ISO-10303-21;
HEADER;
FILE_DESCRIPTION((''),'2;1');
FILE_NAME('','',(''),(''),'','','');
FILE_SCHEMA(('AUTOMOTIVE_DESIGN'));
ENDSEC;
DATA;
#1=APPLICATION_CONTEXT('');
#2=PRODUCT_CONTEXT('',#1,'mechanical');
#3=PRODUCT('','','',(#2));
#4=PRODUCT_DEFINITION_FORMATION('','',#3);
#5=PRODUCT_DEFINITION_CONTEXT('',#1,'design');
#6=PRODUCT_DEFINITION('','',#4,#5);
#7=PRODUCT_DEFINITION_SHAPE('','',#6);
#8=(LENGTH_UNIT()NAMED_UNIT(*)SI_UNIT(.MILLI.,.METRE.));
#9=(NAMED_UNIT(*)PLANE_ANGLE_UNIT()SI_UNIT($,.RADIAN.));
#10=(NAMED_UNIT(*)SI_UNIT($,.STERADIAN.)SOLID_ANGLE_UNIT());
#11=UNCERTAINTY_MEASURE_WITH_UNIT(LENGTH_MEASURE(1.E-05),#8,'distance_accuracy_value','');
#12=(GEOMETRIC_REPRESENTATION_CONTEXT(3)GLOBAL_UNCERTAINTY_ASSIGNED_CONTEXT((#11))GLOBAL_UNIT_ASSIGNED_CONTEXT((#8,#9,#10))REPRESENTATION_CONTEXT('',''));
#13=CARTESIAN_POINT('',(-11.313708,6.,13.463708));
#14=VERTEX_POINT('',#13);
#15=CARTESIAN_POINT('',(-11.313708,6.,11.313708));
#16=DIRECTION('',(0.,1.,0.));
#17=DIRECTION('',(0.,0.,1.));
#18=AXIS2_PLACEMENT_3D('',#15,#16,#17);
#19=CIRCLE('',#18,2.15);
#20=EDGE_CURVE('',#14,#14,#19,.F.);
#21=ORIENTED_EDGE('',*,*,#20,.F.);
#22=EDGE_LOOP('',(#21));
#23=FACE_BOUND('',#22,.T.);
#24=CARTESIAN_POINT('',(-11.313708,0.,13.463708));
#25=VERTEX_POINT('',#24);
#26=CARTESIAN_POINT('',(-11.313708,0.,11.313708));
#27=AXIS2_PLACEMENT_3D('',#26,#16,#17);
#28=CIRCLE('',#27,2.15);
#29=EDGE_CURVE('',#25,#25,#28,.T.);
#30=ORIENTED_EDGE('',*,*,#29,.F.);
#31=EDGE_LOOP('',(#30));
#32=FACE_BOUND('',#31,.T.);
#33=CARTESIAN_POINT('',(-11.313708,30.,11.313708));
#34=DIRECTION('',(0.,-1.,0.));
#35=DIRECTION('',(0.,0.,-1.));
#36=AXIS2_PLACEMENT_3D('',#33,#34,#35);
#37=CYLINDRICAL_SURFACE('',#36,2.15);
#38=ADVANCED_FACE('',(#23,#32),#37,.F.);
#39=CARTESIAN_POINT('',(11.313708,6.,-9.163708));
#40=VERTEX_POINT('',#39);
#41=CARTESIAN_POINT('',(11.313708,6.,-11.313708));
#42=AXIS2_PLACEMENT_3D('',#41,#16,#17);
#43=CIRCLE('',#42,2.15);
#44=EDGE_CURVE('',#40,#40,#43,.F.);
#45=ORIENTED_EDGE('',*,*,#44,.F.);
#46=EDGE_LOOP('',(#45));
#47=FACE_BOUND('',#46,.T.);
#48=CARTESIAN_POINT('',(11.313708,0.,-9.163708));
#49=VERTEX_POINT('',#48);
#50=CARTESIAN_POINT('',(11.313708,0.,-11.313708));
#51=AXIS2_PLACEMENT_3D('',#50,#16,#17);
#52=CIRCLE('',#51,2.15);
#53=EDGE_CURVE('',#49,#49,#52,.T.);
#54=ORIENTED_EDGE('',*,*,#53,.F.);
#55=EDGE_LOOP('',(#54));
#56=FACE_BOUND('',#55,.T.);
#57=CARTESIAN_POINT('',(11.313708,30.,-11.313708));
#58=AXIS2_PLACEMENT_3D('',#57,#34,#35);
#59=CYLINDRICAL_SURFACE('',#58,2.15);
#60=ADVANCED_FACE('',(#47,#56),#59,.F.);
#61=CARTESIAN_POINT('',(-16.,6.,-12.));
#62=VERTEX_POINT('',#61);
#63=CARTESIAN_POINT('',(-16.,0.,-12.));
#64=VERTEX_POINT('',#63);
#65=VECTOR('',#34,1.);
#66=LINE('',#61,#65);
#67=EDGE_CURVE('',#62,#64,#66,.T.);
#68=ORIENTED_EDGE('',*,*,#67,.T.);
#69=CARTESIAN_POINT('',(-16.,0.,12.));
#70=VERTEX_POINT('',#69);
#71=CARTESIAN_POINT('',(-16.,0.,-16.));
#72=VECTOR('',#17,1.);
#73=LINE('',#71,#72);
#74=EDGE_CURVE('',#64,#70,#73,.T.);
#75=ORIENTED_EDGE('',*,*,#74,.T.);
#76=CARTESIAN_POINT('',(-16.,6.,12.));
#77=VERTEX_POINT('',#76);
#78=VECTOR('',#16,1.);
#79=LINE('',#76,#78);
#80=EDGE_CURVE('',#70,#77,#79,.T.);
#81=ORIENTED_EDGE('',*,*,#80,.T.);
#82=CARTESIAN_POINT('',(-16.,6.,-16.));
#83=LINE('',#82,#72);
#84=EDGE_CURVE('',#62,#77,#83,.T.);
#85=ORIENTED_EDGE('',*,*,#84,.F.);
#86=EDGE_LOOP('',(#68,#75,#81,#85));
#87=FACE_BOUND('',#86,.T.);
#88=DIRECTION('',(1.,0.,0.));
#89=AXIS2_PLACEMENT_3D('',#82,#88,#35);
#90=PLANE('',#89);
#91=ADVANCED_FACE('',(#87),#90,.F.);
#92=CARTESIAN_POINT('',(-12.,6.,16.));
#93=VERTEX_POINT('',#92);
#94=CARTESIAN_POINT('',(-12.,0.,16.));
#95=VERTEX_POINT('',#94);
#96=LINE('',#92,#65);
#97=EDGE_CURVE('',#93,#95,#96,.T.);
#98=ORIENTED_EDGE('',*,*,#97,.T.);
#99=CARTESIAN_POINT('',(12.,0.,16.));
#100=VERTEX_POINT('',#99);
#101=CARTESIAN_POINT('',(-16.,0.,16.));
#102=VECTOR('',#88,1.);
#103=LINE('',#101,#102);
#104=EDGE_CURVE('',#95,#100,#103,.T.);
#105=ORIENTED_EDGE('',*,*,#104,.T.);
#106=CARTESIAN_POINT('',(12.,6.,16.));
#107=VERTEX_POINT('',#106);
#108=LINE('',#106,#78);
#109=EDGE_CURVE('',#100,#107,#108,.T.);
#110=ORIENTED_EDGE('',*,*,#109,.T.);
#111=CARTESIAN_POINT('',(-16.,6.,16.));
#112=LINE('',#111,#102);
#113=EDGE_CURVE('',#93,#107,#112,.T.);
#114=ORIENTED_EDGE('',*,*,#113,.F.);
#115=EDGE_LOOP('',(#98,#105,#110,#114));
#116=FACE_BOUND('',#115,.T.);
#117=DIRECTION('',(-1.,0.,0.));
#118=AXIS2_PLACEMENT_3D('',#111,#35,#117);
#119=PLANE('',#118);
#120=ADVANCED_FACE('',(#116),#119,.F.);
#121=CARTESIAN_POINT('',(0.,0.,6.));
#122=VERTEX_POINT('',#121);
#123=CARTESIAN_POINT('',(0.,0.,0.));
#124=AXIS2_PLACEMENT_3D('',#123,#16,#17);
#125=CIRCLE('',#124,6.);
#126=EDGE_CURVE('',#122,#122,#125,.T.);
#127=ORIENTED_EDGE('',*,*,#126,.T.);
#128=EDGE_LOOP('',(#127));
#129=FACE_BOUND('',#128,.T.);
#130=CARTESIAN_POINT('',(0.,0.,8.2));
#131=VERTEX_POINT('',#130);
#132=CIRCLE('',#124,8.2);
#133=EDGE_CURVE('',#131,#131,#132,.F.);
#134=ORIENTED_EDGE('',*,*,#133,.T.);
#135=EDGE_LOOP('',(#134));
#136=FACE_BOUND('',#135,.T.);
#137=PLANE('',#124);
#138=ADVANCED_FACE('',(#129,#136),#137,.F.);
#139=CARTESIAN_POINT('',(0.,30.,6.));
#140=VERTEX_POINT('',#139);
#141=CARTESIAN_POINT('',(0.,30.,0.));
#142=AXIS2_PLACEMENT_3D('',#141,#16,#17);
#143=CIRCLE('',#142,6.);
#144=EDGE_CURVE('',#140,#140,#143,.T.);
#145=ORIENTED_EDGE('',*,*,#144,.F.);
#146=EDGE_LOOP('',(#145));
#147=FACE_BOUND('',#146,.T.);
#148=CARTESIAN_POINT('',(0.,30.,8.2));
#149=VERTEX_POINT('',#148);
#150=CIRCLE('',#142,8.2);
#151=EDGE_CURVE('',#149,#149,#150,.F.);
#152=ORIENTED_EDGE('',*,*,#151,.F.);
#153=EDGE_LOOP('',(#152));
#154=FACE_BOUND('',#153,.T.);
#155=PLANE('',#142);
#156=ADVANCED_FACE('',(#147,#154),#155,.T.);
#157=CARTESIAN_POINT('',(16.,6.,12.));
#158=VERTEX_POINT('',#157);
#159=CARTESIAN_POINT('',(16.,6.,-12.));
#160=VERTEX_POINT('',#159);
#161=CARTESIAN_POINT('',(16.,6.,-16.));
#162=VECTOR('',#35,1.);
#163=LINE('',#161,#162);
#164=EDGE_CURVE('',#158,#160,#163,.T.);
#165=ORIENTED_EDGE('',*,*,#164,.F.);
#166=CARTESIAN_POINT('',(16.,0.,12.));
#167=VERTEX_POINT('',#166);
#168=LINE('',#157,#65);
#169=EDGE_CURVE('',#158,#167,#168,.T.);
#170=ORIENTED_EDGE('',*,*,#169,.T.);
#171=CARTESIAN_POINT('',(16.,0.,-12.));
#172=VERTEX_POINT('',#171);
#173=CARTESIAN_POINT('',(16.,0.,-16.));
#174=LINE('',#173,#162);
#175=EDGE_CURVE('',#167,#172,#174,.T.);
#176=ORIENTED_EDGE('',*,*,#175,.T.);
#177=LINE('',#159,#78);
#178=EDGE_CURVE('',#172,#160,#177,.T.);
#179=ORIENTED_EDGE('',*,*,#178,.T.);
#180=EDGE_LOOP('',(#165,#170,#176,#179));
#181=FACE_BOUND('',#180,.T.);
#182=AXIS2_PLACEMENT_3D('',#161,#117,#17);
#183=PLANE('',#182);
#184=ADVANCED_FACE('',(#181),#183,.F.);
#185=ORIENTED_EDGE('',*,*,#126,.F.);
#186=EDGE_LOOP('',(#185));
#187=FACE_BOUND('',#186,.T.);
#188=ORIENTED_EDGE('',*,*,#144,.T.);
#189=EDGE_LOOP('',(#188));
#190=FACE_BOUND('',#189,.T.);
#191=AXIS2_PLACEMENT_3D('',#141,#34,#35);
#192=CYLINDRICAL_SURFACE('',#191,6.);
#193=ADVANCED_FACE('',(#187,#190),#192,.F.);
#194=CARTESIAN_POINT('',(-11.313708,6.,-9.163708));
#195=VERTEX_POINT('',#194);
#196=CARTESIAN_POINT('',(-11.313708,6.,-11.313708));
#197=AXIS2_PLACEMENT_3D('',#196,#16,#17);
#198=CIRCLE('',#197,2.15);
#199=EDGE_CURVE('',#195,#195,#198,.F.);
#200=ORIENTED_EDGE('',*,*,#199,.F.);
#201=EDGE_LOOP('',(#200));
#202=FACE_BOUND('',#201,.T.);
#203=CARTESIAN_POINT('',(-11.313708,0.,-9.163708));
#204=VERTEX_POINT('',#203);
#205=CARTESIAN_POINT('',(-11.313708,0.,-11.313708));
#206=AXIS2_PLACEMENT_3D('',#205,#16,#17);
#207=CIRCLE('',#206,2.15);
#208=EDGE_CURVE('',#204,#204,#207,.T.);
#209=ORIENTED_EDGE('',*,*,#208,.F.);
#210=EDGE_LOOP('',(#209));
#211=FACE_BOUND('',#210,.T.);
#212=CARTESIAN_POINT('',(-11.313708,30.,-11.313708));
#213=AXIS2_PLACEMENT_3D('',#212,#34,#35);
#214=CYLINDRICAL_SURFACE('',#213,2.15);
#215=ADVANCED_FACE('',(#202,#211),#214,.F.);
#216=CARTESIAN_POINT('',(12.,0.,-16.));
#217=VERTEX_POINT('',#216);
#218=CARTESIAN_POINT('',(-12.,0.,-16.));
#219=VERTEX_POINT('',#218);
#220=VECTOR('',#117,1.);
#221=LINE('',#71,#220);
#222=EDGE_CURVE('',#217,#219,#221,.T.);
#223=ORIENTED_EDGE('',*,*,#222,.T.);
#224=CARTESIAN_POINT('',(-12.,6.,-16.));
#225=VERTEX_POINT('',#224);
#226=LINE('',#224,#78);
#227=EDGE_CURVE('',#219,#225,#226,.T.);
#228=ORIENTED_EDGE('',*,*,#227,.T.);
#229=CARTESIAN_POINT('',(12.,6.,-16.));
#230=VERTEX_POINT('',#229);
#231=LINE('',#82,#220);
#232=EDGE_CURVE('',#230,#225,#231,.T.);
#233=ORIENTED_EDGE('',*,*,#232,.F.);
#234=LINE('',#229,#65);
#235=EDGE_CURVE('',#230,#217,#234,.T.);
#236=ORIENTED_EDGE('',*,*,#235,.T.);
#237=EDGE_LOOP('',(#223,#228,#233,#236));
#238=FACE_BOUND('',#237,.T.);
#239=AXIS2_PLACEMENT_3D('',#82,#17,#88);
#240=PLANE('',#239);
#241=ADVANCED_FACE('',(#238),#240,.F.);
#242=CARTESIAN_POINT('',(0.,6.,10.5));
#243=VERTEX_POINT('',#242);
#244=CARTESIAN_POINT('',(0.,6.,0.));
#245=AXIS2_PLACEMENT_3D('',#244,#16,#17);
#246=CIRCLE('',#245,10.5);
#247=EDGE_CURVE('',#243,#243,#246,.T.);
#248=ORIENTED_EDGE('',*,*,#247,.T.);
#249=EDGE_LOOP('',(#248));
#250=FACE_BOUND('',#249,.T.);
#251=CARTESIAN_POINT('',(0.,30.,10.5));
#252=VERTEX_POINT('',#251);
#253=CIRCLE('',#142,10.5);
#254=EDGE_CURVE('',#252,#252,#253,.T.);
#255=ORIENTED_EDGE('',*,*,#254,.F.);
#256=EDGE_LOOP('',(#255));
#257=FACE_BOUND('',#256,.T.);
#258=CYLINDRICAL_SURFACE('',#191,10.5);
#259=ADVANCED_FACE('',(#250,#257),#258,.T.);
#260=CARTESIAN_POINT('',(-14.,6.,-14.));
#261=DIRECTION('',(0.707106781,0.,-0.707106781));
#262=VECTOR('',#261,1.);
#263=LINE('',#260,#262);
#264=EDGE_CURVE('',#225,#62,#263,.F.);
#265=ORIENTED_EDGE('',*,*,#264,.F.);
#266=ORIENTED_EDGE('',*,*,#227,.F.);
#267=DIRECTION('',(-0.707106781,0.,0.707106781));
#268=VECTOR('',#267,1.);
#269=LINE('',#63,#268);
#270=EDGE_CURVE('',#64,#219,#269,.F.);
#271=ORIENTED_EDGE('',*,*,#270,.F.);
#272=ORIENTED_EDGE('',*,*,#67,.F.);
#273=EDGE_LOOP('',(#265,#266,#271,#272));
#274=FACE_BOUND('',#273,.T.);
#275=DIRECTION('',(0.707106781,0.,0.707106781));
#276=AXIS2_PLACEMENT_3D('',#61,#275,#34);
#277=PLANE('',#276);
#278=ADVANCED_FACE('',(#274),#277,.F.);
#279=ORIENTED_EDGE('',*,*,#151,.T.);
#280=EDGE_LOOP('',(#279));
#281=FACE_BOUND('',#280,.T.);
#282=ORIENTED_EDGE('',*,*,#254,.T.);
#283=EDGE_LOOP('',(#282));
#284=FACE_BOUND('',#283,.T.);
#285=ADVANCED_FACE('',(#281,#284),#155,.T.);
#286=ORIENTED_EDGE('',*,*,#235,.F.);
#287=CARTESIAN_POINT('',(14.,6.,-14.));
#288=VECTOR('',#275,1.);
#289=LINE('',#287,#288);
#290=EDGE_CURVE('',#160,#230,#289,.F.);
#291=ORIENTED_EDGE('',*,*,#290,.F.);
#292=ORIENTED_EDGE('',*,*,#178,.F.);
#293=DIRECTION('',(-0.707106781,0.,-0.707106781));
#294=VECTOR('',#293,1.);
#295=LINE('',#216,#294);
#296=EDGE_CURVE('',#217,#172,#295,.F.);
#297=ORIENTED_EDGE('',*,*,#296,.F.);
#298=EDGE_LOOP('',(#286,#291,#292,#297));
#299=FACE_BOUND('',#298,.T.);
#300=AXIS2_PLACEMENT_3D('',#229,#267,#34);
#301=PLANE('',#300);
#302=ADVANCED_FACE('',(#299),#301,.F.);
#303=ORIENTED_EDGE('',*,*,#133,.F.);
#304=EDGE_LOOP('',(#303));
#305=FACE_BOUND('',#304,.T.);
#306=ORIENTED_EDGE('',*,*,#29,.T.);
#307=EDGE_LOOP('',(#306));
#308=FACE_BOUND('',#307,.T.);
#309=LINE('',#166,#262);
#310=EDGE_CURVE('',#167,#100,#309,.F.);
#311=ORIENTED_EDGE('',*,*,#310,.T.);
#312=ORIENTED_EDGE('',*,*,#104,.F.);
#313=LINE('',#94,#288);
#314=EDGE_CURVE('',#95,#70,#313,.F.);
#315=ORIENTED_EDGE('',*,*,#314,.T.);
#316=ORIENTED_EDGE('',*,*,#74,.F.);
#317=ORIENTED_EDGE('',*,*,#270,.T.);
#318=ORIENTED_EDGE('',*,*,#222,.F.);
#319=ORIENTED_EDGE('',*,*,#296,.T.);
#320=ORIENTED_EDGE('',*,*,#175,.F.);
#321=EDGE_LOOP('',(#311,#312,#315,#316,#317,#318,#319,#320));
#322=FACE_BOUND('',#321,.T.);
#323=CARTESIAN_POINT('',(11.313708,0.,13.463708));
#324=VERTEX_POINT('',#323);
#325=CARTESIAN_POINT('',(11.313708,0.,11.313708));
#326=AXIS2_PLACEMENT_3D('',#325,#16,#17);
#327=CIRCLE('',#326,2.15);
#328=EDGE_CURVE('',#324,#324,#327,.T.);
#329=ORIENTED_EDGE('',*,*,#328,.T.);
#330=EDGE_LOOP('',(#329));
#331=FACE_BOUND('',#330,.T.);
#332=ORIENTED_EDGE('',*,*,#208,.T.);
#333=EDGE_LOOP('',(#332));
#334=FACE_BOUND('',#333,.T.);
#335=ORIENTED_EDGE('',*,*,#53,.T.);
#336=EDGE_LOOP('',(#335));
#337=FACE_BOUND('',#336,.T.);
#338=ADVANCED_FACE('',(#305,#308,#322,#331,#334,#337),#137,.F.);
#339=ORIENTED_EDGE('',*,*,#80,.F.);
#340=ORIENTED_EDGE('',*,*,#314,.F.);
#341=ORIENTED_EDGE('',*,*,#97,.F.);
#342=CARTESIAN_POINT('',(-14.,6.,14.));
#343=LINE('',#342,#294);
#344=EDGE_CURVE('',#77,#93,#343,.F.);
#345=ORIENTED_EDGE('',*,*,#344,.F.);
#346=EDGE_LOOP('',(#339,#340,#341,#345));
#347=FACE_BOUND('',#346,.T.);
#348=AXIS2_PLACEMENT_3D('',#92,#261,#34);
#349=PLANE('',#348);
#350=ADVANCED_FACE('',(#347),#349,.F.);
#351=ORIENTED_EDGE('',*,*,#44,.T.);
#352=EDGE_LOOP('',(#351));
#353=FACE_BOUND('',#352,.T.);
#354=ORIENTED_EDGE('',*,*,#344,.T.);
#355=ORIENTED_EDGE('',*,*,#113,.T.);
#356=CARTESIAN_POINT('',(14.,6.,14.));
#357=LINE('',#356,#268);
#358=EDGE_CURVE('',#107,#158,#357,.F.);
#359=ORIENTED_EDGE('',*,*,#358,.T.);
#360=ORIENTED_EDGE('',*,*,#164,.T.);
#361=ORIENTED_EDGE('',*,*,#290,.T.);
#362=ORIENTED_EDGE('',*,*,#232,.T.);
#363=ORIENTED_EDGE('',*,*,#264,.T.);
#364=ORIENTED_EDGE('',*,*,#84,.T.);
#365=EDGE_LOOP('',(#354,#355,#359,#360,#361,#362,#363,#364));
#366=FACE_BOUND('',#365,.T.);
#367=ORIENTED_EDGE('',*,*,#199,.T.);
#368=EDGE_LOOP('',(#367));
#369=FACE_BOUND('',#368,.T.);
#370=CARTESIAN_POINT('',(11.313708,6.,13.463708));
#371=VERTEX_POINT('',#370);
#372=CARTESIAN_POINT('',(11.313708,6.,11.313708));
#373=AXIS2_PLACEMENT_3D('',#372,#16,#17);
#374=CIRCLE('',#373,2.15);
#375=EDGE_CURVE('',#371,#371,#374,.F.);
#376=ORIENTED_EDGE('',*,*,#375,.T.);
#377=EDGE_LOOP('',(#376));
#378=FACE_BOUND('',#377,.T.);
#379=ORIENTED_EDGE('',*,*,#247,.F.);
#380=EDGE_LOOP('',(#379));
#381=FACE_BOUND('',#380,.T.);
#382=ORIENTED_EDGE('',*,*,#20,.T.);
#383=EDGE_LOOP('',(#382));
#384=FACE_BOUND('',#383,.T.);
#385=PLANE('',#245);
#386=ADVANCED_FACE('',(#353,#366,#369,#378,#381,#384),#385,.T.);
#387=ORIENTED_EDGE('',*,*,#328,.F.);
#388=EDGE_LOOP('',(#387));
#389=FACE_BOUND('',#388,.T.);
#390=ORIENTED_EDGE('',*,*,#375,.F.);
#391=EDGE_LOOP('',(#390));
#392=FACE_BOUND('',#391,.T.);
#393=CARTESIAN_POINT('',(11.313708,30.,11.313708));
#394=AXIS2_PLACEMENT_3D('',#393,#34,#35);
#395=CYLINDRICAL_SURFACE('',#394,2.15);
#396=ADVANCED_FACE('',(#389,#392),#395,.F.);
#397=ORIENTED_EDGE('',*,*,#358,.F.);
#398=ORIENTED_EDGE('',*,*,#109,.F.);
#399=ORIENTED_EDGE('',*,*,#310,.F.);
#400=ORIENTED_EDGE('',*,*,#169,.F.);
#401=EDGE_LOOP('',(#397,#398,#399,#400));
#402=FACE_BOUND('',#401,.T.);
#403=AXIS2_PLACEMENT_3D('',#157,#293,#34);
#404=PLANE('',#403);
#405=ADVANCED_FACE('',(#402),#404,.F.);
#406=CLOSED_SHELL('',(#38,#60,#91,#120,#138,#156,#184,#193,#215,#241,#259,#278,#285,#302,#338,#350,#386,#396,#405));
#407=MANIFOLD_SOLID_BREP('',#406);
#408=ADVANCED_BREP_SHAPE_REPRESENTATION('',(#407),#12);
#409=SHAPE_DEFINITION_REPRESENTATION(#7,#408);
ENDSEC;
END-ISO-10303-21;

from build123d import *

# Parameters (mm, degrees)
SKETCH1_R           = 10.5
SKETCH1_R_2         = 6
BOSS_EXTRUDE1_DEPTH = 30
SKETCH2_W           = 32
SKETCH2_H           = 32
SKETCH2_R           = 6
BOSS_EXTRUDE2_DEPTH = 6
SKETCH3_R           = 2.15
CUT_EXTRUDE1_DEPTH  = 38.576588456
CHAMFER1_SIZE       = 4


with BuildPart() as part:
    # Sketch1 → Boss-Extrude1 (new body)
    with BuildSketch(Plane(origin=(0, 0, 0), x_dir=(1, 0, 0), z_dir=(0, 1, 0))):
        with Locations(Location((0, 0, 0), (0, 0, 270))):
            Circle(SKETCH1_R)
        with Locations(Location((0, 0, 0), (0, 0, 270))):
            Circle(SKETCH1_R_2, mode=Mode.SUBTRACT)
    extrude(amount=BOSS_EXTRUDE1_DEPTH)

    # Sketch2 → Boss-Extrude2 (add)
    with BuildSketch(Plane(origin=(0, 0, 0), x_dir=(1, 0, 0), z_dir=(0, 1, 0))):
        Rectangle(SKETCH2_W, SKETCH2_H)
        with Locations(Location((0, 0, 0), (0, 0, 270))):
            Circle(SKETCH2_R, mode=Mode.SUBTRACT)
    extrude(amount=BOSS_EXTRUDE2_DEPTH)

    # Sketch3 → Cut-Extrude1 (cut, through all)
    with BuildSketch(Plane(origin=(0, 0, 0), x_dir=(1, 0, 0), z_dir=(0, 1, 0))):
        with Locations(Location((-11.313708499, 11.313708499, 0), (0, 0, 270))):
            Circle(SKETCH3_R)
        with Locations(Location((-11.313708499, -11.313708499, 0), (0, 0, 270))):
            Circle(SKETCH3_R)
        with Locations(Location((11.313708499, -11.313708499, 0), (0, 0, 270))):
            Circle(SKETCH3_R)
        with Locations(Location((11.313708499, 11.313708499, 0), (0, 0, 270))):
            Circle(SKETCH3_R)
    extrude(amount=CUT_EXTRUDE1_DEPTH, mode=Mode.SUBTRACT)

    # Chamfer1
    chamfer1_edges = [part.edges().sort_by_distance(p)[0] for p in [
        (16, 3, 16),
        (16, 3, -16),
        (-16, 3, -16),
        (-16, 3, 16),
    ]]
    chamfer(chamfer1_edges, length=CHAMFER1_SIZE)


solid = part.part
